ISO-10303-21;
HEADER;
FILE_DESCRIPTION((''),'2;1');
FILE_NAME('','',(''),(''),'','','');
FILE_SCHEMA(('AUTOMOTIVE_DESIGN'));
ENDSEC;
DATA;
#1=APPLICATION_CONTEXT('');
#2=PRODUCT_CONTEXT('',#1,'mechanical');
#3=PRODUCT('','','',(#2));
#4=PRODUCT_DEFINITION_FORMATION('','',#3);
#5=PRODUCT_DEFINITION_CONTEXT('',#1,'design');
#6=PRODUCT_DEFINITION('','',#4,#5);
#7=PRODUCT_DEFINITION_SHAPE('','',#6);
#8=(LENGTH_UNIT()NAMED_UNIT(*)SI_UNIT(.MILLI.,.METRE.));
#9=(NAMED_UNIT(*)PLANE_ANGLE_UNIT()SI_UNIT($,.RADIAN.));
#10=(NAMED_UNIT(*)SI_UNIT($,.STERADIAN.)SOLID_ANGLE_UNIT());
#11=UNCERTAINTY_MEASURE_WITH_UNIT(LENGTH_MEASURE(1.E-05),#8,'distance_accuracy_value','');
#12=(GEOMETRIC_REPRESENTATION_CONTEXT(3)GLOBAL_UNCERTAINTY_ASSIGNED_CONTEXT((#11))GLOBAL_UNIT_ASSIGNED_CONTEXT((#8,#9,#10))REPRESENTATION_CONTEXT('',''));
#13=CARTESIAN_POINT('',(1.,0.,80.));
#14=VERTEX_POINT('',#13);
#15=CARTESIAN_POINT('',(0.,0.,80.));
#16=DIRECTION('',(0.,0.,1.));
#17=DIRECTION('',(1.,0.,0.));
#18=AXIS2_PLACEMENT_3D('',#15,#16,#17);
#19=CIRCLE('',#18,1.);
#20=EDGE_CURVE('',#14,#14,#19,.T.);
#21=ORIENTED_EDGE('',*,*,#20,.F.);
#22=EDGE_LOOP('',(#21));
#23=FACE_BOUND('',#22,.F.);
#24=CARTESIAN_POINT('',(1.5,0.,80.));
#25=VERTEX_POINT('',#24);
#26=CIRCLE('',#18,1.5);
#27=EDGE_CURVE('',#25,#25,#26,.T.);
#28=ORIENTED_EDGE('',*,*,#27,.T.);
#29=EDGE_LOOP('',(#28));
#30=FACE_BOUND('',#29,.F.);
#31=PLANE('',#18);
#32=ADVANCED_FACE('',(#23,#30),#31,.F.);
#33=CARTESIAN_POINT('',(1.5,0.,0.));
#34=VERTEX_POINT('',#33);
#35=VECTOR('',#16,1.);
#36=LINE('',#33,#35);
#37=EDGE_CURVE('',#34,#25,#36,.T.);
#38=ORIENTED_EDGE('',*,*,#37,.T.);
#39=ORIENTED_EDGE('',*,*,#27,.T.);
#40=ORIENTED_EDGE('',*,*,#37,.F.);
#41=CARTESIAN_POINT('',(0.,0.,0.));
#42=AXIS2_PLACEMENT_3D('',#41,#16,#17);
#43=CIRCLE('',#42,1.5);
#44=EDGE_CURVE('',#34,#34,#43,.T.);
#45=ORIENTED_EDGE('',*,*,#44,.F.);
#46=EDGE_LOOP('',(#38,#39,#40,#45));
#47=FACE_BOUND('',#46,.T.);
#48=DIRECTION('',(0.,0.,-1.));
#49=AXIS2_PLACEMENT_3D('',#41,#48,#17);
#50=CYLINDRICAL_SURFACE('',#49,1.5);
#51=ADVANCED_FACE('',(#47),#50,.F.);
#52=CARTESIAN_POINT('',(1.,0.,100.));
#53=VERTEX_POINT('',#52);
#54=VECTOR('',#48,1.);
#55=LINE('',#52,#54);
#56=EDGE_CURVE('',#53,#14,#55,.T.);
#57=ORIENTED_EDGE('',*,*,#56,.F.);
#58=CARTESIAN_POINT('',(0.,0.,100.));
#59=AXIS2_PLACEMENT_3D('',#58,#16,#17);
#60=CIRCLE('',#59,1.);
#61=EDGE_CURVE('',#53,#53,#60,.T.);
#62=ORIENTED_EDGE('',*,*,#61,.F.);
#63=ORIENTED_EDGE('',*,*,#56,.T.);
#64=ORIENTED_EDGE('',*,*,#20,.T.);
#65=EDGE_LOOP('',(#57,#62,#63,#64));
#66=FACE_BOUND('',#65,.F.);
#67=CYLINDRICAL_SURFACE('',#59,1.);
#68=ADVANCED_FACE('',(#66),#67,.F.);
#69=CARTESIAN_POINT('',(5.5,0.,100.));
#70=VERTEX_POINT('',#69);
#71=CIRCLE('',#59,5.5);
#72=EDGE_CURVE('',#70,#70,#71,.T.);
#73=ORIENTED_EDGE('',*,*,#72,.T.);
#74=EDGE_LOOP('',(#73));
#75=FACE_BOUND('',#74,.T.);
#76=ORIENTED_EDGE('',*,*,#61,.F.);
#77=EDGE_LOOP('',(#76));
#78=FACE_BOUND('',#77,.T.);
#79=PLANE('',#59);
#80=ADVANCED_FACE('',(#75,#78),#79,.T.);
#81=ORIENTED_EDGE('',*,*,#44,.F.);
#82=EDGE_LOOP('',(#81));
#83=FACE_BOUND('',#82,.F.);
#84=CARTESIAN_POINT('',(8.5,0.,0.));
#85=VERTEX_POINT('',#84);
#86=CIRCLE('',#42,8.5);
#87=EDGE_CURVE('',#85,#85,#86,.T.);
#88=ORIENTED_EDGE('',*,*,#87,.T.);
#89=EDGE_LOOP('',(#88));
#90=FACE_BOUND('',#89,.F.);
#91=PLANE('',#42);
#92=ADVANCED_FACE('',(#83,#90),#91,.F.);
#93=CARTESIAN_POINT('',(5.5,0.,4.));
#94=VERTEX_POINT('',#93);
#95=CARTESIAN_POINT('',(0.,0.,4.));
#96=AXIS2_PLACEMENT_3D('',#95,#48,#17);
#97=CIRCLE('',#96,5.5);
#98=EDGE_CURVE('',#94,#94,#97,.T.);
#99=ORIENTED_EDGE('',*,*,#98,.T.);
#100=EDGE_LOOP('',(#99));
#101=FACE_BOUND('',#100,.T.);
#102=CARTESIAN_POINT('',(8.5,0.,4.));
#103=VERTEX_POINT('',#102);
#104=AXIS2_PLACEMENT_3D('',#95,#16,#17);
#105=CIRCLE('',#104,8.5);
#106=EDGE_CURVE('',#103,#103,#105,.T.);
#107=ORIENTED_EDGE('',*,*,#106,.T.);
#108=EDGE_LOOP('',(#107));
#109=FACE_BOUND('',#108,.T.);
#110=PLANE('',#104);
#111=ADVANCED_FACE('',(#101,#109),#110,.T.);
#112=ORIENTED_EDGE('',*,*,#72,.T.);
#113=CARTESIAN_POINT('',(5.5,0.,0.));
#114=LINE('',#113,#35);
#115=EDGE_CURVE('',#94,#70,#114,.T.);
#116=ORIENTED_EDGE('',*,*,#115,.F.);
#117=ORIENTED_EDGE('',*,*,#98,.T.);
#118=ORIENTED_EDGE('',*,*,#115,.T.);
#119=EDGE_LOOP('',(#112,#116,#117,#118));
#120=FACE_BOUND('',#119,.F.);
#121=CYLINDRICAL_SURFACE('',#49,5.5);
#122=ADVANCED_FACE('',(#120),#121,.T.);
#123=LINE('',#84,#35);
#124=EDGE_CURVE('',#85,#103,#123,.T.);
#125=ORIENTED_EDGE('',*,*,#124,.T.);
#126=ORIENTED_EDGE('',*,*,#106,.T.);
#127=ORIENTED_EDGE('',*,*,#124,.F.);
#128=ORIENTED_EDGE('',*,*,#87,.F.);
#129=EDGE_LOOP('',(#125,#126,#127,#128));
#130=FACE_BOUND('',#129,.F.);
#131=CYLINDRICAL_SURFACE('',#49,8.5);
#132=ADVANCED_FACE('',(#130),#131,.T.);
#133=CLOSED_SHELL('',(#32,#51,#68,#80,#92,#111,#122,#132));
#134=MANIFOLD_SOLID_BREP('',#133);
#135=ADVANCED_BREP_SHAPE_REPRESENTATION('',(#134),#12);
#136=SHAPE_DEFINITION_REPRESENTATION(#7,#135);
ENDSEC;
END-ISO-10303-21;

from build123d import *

# Parameters (mm, degrees)
F0_R     = 8.5
F1_DEPTH = 4
F2_R     = 5.5
F3_DEPTH = 100
F4_R     = 1
F5_DEPTH = 114.9
F6_R     = 1.5
F7_DEPTH = 80


with BuildPart() as f1:
    # F0 (on Top) → F1 (new body)
    with BuildSketch(Plane.XY):
        Circle(F0_R)
    extrude(amount=F1_DEPTH)

    # F2 (on Top) → F3 (join)
    with BuildSketch(Plane.XY):
        Circle(F2_R)
    extrude(amount=F3_DEPTH)

    # F4 (on face) → F5 (cut)
    with BuildSketch(Plane.XY.offset(100)):
        Circle(F4_R)
    extrude(amount=-F5_DEPTH, mode=Mode.SUBTRACT)

    # F6 (on Top) → F7 (cut)
    with BuildSketch(Plane.XY):
        Circle(F6_R)
    extrude(amount=F7_DEPTH, mode=Mode.SUBTRACT)


solid = f1.part
